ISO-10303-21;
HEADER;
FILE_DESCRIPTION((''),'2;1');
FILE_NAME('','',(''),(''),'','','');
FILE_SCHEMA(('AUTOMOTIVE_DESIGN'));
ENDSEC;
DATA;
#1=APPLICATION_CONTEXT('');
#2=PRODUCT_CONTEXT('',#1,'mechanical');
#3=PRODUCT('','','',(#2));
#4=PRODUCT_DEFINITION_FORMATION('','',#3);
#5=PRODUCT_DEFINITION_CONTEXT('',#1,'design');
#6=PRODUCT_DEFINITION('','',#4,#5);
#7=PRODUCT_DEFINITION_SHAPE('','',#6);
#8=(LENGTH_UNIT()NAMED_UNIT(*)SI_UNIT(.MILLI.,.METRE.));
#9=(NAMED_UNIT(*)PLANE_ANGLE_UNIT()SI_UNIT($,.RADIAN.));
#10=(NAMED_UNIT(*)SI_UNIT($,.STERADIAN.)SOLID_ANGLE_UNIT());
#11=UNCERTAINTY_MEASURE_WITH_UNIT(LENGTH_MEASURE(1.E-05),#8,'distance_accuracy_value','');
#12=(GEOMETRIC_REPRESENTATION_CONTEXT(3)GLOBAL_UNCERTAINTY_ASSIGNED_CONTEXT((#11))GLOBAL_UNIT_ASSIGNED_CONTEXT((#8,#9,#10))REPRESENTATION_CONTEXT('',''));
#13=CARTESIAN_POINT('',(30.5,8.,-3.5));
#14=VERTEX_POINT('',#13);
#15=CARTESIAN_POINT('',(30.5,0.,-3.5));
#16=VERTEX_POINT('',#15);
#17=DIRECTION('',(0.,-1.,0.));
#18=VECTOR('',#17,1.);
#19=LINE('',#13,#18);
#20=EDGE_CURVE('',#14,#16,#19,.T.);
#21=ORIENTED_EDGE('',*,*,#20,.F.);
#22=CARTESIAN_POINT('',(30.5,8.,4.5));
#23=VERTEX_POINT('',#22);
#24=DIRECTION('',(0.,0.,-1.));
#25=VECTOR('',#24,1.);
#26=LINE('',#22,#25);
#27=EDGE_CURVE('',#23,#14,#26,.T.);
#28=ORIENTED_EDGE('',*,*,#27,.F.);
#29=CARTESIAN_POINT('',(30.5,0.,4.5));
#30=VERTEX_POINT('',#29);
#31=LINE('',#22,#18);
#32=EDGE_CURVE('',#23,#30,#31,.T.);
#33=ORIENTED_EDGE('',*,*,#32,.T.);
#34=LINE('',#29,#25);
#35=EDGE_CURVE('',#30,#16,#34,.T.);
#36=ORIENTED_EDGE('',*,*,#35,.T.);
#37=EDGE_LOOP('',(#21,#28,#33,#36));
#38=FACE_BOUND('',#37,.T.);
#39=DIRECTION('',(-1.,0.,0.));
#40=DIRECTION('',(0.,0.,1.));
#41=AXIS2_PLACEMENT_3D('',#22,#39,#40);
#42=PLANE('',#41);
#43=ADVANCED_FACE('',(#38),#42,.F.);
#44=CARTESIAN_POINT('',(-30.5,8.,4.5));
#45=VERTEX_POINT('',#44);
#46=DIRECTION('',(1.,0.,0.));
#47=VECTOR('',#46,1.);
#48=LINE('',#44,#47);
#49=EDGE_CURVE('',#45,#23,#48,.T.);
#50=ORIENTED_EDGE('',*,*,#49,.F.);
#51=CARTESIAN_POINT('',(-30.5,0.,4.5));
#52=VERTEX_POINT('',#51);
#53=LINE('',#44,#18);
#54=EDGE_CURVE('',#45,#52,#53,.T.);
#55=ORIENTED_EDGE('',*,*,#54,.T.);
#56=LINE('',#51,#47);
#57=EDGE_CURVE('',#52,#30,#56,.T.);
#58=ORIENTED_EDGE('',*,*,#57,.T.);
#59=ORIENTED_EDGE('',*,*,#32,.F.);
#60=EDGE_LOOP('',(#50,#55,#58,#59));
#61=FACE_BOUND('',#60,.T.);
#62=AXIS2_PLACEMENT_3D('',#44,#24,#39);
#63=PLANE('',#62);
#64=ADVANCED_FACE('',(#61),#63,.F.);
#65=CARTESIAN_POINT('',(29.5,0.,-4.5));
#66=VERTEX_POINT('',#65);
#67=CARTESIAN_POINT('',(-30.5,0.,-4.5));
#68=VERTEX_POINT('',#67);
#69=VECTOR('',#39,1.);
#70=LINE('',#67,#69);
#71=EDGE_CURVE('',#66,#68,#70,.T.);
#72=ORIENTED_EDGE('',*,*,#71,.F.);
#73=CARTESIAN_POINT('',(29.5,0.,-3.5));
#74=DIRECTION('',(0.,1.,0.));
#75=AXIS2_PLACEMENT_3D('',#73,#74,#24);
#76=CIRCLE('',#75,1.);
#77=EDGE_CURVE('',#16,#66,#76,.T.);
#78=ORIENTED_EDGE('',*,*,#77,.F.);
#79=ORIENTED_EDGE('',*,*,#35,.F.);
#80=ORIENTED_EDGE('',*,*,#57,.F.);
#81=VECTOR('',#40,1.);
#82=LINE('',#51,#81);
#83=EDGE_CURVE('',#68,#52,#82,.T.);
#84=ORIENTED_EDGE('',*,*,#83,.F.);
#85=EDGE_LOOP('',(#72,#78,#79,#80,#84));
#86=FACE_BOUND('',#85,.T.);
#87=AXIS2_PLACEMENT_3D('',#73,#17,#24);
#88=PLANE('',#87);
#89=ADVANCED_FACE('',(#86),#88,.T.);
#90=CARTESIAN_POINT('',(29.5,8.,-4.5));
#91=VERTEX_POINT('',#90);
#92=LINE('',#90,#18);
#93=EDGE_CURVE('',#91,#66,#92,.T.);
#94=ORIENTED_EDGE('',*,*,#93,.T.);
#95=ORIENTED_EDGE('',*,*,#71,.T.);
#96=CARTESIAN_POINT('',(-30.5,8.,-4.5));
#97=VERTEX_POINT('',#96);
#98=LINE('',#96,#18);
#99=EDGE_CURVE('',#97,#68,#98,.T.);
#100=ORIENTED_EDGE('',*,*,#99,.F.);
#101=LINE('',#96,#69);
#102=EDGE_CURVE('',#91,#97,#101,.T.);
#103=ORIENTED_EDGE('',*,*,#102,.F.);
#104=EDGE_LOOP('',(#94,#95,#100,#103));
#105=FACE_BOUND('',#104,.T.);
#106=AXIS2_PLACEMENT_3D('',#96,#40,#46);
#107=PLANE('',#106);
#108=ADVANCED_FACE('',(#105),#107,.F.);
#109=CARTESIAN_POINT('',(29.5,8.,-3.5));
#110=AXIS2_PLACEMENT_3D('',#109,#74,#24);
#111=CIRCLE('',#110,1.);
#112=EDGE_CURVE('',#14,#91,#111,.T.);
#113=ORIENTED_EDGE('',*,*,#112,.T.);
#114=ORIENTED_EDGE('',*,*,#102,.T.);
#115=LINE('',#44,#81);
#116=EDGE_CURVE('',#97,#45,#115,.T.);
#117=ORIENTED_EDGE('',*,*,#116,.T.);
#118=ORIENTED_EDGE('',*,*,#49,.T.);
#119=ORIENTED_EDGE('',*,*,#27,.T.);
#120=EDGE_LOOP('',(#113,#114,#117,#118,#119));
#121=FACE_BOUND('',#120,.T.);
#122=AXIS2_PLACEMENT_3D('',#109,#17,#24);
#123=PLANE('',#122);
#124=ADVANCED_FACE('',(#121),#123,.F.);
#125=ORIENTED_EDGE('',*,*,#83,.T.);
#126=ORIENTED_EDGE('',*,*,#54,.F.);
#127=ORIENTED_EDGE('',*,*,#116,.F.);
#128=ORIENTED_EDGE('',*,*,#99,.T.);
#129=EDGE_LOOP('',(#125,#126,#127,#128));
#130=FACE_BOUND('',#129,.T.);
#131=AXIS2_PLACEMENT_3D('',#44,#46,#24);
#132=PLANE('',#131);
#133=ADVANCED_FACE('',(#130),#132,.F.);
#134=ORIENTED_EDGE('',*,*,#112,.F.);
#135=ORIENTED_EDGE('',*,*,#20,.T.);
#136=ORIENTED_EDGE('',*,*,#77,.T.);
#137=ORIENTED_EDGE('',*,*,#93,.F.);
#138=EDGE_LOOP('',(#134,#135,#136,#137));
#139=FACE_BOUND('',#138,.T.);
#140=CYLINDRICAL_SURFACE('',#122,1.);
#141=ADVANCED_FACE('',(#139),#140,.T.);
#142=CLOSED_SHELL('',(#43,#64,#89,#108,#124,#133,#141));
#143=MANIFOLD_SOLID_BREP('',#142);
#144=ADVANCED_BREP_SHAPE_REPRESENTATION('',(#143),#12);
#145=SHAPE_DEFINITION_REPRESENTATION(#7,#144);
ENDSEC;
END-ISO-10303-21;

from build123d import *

# Parameters (mm, degrees)
BOSS_EXTRUDE1_DEPTH = 8


with BuildPart() as part:
    # Sketch1 → Boss-Extrude1 (new body)
    with BuildSketch(Plane(origin=(0, 0, 0), x_dir=(1, 0, 0), z_dir=(0, 1, 0))):
        with BuildLine():
            Line((-30.5, -4.5), (30.5, -4.5))
            Line((30.5, -4.5), (30.5, 3.5))
            ThreePointArc((30.5, 3.5), (30.207106781, 4.207106781), (29.5, 4.5))
            Line((29.5, 4.5), (-30.5, 4.5))
            Line((-30.5, 4.5), (-30.5, -4.5))
        make_face()
    extrude(amount=BOSS_EXTRUDE1_DEPTH)


solid = part.part
